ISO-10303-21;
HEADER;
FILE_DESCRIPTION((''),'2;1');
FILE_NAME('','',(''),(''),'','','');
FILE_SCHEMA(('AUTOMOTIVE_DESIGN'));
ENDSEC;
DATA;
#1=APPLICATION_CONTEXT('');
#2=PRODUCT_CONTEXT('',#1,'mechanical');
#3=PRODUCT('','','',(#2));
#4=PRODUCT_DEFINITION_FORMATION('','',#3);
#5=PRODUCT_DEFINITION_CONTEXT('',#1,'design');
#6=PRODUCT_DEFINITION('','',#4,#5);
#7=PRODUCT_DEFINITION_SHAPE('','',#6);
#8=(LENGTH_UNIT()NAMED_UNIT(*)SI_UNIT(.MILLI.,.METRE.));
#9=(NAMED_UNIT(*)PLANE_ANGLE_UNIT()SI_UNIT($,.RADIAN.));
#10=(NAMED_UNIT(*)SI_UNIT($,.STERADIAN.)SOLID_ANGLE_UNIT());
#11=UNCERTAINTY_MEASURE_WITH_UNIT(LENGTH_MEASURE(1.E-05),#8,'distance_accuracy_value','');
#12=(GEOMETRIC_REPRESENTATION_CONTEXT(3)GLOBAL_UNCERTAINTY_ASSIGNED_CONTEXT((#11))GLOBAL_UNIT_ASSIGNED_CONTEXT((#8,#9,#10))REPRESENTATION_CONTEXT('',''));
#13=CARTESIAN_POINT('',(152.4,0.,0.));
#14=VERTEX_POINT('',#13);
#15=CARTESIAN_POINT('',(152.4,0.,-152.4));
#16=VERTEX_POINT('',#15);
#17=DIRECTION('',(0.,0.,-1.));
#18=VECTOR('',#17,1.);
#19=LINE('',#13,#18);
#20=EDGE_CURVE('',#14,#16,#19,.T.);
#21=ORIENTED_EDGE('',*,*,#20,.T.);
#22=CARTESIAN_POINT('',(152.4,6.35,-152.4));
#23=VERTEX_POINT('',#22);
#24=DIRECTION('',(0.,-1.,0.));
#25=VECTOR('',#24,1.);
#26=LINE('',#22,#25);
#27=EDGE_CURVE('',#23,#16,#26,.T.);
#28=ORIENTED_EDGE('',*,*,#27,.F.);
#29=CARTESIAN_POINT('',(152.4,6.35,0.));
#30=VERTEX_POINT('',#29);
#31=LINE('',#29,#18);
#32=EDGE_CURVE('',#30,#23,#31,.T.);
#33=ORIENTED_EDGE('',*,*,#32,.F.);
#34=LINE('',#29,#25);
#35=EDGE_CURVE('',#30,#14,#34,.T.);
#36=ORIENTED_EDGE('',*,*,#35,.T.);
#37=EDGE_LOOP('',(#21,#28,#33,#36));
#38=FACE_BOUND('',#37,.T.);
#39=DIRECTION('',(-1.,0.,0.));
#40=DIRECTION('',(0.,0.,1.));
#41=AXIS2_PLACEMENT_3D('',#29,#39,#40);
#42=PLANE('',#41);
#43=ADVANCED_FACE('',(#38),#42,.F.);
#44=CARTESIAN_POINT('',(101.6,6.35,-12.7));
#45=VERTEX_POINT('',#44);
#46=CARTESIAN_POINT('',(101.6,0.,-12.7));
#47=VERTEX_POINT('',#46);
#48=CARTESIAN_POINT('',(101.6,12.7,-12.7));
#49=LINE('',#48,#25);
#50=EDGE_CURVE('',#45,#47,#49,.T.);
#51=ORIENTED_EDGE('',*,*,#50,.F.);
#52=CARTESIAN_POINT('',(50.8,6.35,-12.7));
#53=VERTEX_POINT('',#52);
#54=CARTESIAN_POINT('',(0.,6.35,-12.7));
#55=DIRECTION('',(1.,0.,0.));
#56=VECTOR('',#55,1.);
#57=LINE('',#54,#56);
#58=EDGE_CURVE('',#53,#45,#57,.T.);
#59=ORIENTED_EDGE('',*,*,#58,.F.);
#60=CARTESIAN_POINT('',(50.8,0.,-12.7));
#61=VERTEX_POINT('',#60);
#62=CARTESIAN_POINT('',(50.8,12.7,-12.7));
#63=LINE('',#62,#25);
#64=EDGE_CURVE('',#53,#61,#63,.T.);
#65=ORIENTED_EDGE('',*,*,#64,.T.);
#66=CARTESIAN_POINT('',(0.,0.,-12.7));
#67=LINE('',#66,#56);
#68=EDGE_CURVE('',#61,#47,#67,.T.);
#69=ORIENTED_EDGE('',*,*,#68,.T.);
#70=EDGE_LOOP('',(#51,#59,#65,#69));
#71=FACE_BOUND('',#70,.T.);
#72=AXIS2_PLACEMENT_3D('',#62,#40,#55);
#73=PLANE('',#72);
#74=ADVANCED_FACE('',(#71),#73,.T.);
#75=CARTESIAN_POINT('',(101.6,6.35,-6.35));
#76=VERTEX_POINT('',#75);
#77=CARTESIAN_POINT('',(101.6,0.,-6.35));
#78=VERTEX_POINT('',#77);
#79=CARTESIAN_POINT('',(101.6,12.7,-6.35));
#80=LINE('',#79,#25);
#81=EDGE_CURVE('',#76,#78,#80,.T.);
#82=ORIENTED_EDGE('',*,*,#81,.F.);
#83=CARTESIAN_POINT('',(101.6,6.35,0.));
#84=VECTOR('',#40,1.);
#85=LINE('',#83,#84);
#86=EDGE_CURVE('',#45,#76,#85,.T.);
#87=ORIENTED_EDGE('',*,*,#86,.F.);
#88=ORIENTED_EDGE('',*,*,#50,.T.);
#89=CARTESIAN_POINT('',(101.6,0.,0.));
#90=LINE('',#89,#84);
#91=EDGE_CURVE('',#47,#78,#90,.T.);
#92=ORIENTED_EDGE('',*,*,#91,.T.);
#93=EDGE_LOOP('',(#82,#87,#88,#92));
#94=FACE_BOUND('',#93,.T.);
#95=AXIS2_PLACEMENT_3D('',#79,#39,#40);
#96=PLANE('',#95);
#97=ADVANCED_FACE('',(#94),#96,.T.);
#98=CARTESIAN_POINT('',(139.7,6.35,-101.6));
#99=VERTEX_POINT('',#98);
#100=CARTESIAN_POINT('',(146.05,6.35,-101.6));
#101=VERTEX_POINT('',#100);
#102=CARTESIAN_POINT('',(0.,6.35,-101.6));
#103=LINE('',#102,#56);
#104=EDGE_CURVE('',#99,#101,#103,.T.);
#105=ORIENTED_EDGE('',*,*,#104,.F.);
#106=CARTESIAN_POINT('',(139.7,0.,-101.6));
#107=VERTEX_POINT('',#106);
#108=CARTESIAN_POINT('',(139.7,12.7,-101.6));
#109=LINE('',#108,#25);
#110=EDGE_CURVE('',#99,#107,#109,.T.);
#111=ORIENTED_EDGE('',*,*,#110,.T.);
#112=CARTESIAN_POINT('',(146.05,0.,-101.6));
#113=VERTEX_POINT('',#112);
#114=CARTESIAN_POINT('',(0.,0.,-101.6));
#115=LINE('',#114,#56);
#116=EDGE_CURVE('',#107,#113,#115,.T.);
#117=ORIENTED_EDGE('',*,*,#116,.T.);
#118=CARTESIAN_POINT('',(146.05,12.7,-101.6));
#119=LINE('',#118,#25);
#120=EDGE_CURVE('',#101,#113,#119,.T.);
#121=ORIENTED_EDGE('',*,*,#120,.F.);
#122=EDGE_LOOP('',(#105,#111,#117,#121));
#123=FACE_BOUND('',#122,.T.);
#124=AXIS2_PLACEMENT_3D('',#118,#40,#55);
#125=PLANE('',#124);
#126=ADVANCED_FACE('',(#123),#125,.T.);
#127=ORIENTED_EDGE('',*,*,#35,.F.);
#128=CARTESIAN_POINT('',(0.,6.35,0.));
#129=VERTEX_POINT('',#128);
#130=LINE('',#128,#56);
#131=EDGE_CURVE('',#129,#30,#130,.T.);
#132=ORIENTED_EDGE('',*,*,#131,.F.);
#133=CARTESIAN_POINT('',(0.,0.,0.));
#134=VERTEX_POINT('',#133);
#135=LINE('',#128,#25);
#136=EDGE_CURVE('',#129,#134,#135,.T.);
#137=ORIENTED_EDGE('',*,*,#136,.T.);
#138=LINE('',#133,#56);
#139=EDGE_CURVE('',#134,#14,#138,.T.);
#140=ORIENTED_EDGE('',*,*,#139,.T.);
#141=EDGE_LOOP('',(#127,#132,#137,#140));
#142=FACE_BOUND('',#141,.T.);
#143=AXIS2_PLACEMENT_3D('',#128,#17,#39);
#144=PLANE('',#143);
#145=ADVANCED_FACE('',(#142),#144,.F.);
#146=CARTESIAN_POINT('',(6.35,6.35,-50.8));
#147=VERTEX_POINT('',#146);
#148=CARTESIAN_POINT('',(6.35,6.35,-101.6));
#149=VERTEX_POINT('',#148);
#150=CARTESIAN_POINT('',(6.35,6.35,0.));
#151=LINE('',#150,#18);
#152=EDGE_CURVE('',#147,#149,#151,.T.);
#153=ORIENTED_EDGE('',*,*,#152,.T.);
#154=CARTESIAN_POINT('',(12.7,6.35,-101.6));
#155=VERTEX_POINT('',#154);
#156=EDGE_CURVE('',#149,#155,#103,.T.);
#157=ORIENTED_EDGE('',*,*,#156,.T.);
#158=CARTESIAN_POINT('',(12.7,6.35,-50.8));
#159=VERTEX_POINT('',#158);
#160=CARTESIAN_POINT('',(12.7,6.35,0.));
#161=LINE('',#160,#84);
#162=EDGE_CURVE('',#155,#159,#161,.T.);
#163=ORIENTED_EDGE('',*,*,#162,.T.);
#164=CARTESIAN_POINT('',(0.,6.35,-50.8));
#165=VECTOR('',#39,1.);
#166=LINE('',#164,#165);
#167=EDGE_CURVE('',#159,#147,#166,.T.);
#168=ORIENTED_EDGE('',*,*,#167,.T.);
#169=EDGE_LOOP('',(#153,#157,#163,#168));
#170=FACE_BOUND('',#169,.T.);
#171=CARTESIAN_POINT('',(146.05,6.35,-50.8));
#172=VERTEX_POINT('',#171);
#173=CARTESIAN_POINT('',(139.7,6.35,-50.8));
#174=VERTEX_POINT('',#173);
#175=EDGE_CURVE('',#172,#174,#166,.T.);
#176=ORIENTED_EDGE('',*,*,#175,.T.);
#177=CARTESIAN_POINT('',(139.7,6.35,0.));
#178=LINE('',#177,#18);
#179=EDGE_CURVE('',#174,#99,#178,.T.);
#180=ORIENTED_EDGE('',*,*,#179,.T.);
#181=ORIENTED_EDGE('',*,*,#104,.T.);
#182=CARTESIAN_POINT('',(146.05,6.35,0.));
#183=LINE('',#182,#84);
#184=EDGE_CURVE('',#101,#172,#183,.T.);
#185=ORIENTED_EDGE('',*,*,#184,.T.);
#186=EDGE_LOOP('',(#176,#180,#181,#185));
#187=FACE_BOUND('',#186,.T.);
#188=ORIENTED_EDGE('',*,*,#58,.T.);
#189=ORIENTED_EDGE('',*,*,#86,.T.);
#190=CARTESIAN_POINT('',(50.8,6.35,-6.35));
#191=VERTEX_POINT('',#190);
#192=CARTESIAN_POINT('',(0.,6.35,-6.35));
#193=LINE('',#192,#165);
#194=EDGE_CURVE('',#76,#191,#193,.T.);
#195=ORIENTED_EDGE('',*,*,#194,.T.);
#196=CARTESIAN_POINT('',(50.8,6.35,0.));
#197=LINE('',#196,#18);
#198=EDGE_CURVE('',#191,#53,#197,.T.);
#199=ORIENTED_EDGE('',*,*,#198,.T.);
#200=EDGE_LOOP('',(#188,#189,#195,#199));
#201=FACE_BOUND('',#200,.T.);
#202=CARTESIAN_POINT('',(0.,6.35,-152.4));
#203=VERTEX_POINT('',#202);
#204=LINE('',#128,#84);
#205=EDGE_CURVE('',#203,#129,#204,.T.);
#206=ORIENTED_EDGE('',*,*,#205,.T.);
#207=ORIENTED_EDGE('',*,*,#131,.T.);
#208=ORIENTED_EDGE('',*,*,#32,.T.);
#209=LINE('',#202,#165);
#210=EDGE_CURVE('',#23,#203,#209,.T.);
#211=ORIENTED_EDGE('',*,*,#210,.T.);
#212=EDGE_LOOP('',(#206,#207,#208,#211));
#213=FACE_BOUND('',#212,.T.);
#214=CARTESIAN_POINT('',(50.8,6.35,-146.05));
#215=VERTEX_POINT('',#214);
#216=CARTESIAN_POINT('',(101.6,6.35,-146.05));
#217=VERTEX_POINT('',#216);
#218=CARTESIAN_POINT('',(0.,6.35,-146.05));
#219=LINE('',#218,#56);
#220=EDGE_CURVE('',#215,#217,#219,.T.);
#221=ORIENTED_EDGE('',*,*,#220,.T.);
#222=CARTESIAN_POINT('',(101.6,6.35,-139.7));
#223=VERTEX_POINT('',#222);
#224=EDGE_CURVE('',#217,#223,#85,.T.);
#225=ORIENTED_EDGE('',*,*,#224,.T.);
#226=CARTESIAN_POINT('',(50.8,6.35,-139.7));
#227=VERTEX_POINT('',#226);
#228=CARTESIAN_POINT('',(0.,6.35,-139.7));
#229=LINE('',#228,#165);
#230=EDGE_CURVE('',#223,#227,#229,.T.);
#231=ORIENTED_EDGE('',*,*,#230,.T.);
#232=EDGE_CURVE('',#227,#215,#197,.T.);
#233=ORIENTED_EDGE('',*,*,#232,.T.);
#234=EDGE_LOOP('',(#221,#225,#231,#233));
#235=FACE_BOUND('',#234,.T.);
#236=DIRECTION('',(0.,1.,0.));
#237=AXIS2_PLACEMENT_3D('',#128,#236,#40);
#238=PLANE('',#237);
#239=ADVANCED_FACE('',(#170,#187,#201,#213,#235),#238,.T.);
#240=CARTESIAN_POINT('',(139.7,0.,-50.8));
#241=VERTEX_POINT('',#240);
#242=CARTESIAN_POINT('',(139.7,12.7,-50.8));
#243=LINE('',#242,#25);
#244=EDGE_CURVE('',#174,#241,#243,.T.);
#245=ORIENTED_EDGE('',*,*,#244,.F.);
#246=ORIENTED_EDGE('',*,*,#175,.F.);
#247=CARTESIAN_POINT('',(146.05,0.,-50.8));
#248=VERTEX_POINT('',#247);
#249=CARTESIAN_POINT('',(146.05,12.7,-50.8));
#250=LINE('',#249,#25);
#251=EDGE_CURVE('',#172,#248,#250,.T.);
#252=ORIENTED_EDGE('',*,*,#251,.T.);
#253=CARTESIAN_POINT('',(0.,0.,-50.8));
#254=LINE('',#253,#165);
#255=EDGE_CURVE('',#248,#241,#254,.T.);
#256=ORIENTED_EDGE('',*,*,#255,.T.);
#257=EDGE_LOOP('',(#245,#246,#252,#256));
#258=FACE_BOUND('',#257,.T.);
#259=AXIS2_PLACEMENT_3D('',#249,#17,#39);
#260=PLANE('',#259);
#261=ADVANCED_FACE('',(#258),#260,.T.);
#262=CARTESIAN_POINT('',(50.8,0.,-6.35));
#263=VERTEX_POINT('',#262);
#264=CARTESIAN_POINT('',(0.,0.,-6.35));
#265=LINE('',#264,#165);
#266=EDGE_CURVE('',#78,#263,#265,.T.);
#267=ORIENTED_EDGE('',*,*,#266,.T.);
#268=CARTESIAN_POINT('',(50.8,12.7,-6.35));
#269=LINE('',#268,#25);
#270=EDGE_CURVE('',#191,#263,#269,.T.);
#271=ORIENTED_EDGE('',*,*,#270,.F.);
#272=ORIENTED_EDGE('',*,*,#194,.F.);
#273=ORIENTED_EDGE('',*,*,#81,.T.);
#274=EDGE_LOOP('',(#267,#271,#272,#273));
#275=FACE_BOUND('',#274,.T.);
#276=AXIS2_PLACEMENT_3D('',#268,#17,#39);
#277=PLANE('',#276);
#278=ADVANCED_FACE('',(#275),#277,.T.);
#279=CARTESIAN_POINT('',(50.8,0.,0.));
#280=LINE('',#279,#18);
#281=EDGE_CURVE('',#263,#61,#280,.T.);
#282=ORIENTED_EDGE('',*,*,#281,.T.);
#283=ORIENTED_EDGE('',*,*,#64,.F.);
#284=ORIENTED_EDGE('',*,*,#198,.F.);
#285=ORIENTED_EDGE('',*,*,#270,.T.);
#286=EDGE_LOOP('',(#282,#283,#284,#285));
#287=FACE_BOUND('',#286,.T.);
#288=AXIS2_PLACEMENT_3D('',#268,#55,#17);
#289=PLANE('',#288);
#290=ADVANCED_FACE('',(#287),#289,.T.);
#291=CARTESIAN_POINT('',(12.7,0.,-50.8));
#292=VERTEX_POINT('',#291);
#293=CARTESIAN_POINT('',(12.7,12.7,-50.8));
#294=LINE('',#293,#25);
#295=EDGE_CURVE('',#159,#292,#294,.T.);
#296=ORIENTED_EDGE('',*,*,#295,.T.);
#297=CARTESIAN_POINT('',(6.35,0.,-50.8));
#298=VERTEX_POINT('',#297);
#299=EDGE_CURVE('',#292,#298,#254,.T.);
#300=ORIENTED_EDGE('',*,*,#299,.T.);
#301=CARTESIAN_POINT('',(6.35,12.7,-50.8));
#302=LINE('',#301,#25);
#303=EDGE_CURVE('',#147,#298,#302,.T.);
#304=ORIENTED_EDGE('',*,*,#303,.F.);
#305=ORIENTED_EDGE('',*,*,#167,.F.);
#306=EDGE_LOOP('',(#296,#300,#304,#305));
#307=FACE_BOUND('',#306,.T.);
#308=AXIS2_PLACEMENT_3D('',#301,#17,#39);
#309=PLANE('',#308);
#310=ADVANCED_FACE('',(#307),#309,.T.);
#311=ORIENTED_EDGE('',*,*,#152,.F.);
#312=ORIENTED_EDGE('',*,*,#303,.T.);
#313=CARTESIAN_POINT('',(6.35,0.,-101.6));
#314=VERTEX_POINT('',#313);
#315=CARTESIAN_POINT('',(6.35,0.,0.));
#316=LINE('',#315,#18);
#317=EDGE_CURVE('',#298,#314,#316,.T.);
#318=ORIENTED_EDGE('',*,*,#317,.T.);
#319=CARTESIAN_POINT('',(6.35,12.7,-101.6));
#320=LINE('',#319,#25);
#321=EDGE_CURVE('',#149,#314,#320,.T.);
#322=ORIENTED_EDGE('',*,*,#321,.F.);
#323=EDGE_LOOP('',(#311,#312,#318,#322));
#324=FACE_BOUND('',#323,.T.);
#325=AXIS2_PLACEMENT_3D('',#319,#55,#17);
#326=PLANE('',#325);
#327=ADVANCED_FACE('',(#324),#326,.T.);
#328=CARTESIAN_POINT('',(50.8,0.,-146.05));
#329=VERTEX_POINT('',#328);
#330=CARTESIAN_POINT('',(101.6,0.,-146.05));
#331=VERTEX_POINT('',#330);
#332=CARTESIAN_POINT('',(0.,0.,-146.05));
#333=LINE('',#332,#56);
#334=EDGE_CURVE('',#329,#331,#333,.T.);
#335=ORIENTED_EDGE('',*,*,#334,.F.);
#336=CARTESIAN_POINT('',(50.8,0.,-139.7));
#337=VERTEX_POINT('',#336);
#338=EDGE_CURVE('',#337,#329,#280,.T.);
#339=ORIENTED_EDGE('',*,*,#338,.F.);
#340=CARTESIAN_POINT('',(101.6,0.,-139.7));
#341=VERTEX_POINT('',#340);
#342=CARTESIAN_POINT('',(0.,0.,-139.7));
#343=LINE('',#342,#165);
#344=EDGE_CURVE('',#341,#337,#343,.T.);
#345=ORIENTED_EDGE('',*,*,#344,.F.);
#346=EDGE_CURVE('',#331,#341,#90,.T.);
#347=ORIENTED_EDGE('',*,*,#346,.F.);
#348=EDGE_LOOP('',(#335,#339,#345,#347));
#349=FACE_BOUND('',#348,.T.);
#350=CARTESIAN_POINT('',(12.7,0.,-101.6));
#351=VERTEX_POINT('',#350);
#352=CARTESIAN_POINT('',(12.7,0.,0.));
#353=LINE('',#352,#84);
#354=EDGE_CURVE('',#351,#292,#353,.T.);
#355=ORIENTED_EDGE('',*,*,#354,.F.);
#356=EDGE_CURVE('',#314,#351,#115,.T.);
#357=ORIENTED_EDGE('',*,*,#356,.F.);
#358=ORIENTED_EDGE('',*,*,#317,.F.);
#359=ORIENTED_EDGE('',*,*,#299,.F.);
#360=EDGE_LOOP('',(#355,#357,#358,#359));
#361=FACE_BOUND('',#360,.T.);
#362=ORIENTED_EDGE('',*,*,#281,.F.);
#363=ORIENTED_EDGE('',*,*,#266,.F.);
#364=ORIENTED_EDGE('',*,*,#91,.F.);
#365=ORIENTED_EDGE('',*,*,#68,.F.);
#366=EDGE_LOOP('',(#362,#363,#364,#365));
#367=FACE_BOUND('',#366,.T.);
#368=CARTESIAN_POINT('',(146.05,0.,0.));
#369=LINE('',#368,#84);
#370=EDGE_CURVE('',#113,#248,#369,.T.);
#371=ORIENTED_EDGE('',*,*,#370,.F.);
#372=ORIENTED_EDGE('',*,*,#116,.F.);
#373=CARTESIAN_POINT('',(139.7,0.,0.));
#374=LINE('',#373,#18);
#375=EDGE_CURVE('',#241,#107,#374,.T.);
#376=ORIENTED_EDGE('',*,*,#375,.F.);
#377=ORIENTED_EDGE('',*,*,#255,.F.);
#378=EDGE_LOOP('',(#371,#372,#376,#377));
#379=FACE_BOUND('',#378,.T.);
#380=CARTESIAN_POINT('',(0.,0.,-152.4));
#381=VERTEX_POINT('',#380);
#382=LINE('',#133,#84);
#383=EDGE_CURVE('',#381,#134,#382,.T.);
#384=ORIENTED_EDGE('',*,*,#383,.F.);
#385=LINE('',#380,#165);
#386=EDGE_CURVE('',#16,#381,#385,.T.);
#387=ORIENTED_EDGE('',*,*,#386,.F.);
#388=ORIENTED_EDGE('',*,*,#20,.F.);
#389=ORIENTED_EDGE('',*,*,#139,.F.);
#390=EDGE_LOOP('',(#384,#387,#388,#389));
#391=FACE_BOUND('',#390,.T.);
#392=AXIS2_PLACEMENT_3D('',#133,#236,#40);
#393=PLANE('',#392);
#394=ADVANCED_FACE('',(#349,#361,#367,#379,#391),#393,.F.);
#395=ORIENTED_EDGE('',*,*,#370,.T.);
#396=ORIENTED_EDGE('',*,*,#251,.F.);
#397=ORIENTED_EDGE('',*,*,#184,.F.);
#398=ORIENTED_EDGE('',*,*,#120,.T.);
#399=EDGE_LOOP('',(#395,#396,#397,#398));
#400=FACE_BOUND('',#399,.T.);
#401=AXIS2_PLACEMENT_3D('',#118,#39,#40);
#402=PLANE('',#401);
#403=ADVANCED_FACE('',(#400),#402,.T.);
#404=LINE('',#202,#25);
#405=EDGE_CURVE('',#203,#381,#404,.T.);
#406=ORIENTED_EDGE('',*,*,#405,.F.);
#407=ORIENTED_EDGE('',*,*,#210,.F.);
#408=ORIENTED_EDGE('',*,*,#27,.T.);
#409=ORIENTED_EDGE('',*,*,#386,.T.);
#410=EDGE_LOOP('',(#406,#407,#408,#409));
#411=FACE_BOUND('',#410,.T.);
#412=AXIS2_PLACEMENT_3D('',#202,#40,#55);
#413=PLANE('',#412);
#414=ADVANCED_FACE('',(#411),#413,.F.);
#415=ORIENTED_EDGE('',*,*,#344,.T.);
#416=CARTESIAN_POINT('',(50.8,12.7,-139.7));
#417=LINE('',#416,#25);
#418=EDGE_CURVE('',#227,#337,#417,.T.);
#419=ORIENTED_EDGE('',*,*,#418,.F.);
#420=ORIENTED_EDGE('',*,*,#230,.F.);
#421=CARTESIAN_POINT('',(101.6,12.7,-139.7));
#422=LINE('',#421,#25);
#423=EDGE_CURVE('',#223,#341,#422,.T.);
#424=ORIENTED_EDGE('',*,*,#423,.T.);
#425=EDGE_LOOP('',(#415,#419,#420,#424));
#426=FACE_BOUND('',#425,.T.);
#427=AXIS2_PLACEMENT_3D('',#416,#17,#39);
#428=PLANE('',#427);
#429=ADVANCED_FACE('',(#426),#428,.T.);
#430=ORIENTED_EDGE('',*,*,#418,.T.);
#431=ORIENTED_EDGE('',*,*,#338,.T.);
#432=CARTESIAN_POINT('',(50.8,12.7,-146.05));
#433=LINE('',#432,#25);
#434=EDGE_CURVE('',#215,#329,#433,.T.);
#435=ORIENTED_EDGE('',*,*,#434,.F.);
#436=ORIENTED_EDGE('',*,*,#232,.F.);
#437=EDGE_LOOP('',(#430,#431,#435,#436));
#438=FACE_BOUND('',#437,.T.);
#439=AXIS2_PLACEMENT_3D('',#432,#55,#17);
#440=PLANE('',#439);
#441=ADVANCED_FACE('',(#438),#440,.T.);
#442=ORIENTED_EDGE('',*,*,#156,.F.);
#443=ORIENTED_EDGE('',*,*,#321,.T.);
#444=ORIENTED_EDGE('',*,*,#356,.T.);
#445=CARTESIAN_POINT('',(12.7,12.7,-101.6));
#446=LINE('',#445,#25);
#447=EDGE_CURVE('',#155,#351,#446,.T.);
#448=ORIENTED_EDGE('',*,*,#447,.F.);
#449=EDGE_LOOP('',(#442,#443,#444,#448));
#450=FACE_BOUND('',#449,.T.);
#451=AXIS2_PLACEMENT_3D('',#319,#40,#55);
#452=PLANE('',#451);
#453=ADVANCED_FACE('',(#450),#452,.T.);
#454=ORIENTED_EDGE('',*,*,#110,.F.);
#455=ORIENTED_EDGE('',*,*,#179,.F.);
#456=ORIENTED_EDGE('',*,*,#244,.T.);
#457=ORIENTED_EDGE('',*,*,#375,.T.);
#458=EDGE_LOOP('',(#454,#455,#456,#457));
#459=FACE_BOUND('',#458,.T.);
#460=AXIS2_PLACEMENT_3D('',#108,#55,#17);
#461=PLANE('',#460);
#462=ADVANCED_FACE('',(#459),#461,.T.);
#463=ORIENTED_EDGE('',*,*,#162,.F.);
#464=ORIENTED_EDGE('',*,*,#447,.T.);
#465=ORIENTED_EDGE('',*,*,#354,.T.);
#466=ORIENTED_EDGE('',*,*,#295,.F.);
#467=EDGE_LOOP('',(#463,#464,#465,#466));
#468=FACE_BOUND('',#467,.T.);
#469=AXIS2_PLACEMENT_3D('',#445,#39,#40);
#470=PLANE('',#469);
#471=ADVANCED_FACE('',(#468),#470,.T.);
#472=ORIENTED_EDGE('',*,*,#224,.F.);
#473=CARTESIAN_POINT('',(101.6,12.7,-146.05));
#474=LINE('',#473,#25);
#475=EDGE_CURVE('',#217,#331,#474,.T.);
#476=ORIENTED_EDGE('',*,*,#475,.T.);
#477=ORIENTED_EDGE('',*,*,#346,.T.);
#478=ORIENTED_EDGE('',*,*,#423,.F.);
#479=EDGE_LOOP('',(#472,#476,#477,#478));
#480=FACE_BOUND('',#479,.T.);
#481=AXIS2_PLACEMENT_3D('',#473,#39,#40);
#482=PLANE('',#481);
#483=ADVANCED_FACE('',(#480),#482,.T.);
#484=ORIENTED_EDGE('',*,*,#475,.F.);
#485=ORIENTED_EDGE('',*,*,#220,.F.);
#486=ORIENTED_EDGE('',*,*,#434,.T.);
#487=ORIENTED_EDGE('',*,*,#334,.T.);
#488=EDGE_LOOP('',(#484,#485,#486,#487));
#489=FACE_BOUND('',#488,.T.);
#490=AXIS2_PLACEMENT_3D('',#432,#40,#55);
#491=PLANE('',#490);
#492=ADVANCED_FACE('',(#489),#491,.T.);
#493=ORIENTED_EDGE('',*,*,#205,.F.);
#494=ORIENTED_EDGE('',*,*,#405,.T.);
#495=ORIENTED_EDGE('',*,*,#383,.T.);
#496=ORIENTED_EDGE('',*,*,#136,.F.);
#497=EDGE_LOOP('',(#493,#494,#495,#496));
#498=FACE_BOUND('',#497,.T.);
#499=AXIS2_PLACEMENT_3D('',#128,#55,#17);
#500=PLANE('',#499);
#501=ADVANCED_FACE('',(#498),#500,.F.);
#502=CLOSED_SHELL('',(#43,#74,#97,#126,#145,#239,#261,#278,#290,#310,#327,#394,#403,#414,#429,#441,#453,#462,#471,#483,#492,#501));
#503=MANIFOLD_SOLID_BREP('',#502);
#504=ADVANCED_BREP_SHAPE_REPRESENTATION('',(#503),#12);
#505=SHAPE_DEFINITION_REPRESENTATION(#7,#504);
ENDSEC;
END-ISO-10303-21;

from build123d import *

# Parameters (mm, degrees)
SKETCH1_W               = 152.4
SKETCH1_H               = 152.4
BOSS_EXTRUDE1_DEPTH     = 6.35
SKETCH2_W               = 6.35
SKETCH2_H               = 50.8
SKETCH2_W_2             = 50.8
SKETCH2_H_2             = 6.35
CUT_EXTRUDE1_DEPTH      = 6.35
CUT_EXTRUDE1_DEPTH_BACK = 16.51


with BuildPart() as part:
    # Sketch1 → Boss-Extrude1 (new body)
    with BuildSketch(Plane(origin=(0, 0, 0), x_dir=(1, 0, 0), z_dir=(0, 1, 0))):
        with Locations((76.2, 76.2)):
            Rectangle(SKETCH1_W, SKETCH1_H)
    extrude(amount=BOSS_EXTRUDE1_DEPTH)

    # Sketch2 → Cut-Extrude1 (cut, two sides)
    with BuildSketch(Plane(origin=(0, 6.35, 0), x_dir=(1, 0, 0), z_dir=(0, 1, 0))) as cut_extrude1_sk:
        with Locations((9.525, 76.2)):
            Rectangle(SKETCH2_W, SKETCH2_H)
        with Locations((142.875, 76.2)):
            Rectangle(SKETCH2_W, SKETCH2_H)
        with Locations((76.2, 9.525)):
            Rectangle(SKETCH2_W_2, SKETCH2_H_2)
        with Locations((76.2, 142.875)):
            Rectangle(SKETCH2_W_2, SKETCH2_H_2)
    extrude(amount=CUT_EXTRUDE1_DEPTH, mode=Mode.SUBTRACT)
    extrude(cut_extrude1_sk.sketch, amount=-CUT_EXTRUDE1_DEPTH_BACK, mode=Mode.SUBTRACT)


solid = part.part
